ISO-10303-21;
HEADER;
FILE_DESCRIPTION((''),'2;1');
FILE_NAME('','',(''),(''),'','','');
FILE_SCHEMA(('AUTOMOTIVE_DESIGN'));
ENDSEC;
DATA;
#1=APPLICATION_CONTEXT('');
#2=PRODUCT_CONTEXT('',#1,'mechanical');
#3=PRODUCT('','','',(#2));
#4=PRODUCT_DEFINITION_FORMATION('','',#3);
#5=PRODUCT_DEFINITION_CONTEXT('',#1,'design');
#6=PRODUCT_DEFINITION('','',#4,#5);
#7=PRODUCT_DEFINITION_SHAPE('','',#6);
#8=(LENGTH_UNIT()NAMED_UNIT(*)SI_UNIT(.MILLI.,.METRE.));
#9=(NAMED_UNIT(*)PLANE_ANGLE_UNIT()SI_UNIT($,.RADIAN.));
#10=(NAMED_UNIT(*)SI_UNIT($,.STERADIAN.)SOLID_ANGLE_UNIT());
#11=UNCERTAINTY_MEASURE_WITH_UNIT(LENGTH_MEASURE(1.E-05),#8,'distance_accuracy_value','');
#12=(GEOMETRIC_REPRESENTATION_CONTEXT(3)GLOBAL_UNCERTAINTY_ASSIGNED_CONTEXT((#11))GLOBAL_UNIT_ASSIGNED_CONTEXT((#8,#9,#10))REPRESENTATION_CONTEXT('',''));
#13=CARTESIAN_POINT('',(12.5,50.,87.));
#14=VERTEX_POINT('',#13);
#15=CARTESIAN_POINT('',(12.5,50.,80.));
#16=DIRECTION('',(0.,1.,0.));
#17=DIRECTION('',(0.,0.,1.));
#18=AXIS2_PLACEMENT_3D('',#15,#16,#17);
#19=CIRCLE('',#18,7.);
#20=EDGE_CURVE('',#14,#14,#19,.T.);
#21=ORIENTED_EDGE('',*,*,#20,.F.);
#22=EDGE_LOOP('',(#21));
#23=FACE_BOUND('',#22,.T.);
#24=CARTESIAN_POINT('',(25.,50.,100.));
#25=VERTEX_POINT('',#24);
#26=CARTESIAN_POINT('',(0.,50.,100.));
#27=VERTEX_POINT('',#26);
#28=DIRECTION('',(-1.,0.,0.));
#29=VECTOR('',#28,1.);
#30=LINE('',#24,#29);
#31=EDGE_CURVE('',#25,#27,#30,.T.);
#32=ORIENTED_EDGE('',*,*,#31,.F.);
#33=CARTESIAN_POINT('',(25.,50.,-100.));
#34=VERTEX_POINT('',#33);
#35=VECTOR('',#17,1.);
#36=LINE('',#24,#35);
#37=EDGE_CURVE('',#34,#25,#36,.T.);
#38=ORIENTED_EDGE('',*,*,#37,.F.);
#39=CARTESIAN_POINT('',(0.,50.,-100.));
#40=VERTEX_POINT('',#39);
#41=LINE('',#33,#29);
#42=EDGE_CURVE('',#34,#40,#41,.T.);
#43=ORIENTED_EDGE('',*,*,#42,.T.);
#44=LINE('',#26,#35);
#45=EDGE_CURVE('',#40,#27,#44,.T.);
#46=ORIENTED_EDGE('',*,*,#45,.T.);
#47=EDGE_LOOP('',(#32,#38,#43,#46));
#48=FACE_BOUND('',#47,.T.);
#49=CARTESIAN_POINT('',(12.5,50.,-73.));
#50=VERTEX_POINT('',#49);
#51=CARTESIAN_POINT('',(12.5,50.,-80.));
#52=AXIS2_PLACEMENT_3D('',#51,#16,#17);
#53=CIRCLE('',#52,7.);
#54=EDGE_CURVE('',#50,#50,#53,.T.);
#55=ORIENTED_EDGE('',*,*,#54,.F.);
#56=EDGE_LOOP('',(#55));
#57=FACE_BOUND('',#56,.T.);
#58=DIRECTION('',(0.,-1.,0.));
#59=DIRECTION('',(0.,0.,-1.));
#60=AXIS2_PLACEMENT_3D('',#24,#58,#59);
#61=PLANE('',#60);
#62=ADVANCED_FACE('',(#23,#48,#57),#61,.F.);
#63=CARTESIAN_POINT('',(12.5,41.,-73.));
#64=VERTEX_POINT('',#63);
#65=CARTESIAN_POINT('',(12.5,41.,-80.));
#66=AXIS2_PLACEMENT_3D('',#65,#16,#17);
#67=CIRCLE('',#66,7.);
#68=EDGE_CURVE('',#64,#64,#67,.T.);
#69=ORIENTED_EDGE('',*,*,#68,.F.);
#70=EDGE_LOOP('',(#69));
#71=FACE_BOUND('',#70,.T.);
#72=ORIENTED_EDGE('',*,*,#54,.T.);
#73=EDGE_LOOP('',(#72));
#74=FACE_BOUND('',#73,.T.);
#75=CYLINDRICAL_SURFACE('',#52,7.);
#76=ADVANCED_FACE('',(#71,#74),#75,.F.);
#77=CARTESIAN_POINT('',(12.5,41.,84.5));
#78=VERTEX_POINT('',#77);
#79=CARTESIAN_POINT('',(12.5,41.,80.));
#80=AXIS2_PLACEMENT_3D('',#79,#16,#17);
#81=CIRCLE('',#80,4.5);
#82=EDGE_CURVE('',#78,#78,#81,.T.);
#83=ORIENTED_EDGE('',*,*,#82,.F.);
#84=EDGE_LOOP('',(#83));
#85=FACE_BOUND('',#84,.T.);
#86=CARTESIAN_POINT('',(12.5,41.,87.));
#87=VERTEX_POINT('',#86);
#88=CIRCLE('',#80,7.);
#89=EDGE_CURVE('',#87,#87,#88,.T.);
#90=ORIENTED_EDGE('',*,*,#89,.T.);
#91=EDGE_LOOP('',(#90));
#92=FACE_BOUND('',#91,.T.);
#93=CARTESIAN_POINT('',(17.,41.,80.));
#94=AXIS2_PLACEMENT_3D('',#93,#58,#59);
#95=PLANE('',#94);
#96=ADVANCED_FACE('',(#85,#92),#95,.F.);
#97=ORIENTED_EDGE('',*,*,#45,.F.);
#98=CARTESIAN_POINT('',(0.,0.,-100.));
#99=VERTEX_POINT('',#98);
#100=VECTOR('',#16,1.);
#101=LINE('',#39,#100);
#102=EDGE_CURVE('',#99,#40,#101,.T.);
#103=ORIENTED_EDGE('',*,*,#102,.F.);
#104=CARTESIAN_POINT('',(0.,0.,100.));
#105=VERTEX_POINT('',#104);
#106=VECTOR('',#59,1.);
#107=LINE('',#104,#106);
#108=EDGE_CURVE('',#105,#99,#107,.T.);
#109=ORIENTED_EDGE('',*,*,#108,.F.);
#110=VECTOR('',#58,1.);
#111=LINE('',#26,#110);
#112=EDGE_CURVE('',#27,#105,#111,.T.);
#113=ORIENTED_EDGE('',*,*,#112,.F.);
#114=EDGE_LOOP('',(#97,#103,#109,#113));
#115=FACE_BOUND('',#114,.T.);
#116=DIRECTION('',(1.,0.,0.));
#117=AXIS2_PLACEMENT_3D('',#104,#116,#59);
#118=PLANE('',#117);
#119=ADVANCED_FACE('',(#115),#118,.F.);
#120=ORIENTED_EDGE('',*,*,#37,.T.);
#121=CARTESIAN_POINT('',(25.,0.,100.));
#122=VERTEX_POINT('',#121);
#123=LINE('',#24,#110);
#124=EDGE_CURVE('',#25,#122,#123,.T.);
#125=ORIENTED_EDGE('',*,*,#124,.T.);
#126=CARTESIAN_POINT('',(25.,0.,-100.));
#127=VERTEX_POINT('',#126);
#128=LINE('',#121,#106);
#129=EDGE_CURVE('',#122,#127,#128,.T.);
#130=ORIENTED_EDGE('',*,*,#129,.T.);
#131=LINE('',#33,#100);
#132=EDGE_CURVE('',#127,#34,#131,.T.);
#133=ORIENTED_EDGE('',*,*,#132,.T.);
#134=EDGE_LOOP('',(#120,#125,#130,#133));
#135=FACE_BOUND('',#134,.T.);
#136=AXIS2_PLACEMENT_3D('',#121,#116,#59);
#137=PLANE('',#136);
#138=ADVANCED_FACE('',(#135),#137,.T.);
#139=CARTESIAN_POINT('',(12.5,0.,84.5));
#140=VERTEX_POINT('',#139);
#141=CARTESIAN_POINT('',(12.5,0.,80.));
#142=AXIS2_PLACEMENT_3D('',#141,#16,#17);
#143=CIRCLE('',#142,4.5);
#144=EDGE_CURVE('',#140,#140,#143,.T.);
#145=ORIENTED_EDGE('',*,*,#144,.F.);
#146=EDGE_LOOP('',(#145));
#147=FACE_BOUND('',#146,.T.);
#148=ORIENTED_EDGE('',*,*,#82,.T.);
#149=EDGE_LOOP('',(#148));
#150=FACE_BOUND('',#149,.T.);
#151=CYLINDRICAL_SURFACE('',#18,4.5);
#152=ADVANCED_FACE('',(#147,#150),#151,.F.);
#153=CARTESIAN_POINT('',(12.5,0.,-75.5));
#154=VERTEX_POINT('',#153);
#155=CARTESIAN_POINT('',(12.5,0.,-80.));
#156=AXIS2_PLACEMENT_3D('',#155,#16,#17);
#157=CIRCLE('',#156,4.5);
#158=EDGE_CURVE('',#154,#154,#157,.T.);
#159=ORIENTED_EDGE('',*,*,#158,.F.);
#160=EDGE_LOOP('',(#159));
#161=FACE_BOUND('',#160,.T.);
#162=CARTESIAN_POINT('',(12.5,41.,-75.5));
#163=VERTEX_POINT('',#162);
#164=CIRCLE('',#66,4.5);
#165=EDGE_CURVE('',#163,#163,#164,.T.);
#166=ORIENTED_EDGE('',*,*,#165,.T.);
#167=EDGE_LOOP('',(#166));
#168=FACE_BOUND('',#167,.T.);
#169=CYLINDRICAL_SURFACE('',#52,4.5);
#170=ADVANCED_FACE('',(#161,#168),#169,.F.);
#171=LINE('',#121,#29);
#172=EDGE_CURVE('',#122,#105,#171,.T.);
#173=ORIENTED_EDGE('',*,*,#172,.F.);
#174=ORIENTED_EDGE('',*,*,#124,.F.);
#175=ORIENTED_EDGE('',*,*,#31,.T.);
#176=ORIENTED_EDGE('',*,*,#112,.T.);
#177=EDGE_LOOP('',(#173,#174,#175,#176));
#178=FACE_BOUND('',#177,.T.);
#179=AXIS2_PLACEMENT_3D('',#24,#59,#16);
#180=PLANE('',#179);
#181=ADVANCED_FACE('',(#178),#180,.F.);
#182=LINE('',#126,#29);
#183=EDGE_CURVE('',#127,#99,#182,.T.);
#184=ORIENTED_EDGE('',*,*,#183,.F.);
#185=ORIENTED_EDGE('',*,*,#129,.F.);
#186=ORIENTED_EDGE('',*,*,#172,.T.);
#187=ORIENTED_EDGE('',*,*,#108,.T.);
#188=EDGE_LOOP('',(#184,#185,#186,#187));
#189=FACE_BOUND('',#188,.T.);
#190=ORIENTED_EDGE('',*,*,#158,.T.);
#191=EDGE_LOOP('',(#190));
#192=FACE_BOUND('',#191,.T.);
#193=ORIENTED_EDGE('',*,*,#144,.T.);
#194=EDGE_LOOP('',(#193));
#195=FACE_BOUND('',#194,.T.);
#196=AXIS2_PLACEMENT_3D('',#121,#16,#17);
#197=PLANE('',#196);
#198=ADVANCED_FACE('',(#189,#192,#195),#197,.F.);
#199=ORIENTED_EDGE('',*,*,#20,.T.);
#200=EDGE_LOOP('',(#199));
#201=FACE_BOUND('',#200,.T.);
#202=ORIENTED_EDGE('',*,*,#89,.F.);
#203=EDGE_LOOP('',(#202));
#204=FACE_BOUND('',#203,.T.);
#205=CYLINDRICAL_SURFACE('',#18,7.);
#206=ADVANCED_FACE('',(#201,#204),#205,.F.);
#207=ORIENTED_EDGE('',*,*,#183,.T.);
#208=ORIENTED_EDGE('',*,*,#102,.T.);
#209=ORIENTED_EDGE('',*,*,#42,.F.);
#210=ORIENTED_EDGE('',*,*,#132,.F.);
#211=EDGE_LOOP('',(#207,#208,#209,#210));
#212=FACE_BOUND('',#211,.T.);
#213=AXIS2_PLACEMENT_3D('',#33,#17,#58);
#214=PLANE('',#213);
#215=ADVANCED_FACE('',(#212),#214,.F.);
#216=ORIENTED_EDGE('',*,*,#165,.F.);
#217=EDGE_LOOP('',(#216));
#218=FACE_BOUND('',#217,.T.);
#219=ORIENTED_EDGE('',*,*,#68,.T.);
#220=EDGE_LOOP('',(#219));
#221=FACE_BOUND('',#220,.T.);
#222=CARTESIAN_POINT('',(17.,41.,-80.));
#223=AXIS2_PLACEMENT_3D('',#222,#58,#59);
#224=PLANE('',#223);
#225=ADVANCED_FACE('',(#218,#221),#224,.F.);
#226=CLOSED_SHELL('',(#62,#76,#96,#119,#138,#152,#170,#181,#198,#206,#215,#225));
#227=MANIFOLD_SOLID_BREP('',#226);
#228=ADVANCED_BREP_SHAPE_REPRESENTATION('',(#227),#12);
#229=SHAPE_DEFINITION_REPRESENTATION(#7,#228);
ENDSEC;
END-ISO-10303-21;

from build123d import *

# Parameters (mm, degrees)
SKETCH1_W                                       = 200
SKETCH1_H                                       = 50
BOSS_EXTRUDE1_DEPTH                             = 25
CBORE_FOR_M8_SOCKET_HEAD_CAP_SCREW1_D           = 9
CBORE_FOR_M8_SOCKET_HEAD_CAP_SCREW1_CBORE_D     = 14
CBORE_FOR_M8_SOCKET_HEAD_CAP_SCREW1_CBORE_DEPTH = 9


with BuildPart() as part:
    # Sketch1 → Boss-Extrude1 (new body)
    with BuildSketch(Plane(origin=(0, 0, 0), x_dir=(0, 0, -1), z_dir=(1, 0, 0))):
        with Locations((0, 25)):
            Rectangle(SKETCH1_W, SKETCH1_H)
    extrude(amount=BOSS_EXTRUDE1_DEPTH)

    # CBORE for M8 Socket Head Cap Screw1 (through all)
    with Locations(Plane(origin=(0, 50, 0), x_dir=(-1, 0, 0), z_dir=(0, 1, 0))):
        with Locations((-12.5, 80), (-12.5, -80)):
            CounterBoreHole(CBORE_FOR_M8_SOCKET_HEAD_CAP_SCREW1_D / 2, CBORE_FOR_M8_SOCKET_HEAD_CAP_SCREW1_CBORE_D / 2, CBORE_FOR_M8_SOCKET_HEAD_CAP_SCREW1_CBORE_DEPTH)


solid = part.part
